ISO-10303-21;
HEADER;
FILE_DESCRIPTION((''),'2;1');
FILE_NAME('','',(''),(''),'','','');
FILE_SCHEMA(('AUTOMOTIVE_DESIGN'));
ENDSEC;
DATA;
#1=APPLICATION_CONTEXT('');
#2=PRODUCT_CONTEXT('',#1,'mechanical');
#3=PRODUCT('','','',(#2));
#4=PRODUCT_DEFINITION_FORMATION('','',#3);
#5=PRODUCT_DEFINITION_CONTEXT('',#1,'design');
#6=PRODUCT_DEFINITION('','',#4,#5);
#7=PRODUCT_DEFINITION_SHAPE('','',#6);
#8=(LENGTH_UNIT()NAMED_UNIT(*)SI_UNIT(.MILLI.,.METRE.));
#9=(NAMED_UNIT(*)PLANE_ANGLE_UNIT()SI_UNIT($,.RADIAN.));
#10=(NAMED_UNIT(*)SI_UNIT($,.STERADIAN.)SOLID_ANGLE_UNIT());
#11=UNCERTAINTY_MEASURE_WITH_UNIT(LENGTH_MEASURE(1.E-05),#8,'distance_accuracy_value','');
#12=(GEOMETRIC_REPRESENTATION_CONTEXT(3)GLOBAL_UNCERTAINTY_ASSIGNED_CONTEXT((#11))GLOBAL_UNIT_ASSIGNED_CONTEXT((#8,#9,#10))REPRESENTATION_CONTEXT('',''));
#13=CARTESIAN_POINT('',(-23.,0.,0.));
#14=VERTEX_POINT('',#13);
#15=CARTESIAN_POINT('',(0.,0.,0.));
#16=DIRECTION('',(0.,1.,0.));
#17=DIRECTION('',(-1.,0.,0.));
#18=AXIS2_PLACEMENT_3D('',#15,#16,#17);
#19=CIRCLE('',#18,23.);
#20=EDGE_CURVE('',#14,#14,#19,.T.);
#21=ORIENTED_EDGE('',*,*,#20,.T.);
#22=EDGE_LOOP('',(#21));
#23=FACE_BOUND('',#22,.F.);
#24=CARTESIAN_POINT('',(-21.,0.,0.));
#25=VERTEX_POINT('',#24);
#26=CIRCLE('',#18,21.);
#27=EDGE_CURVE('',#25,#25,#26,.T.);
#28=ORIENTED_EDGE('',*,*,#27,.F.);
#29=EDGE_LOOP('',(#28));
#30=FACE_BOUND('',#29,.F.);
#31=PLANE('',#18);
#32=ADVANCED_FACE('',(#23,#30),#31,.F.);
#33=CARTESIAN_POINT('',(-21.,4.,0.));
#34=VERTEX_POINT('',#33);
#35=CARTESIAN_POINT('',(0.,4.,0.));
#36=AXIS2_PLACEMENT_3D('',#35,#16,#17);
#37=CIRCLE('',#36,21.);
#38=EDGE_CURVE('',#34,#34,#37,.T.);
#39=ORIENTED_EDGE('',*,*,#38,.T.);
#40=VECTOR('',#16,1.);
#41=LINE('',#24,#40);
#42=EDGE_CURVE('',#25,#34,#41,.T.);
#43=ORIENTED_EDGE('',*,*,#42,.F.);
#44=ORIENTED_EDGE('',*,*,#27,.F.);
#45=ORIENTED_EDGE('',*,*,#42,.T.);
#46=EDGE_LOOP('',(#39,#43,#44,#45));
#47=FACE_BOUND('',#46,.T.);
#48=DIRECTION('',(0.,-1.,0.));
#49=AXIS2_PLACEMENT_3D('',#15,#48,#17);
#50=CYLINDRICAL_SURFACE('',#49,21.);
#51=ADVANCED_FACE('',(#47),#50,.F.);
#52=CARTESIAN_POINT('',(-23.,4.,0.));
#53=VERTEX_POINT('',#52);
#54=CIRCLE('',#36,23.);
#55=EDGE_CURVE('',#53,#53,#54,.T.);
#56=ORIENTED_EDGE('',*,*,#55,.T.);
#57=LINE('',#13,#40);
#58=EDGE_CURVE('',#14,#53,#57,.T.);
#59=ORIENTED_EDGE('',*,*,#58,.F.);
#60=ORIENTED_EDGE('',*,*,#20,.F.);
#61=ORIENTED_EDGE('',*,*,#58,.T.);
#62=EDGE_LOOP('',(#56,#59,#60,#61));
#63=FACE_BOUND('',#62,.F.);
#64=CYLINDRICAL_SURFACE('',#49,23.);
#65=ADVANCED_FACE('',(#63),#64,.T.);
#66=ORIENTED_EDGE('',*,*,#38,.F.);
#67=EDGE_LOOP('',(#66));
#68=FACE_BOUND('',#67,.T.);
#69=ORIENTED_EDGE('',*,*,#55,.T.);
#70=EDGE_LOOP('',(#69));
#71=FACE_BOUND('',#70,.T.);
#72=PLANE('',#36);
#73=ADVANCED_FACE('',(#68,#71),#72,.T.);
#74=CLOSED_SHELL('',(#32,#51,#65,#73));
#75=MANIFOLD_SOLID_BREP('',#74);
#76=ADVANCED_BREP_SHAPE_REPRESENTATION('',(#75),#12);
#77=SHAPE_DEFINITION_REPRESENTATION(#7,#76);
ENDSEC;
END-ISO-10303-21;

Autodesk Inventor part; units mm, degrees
ref_plane "YZ Plane" through (0, 0, 0) normal (1, 0, 0) x (0, 1, 0)
ref_plane "XZ Plane" through (0, 0, 0) normal (0, 1, 0) x (-1, 0, 0)
ref_plane "XY Plane" through (0, 0, 0) normal (0, 0, 1) x (1, 0, 0)
sketch "Sketch1" plane through (0, 0, 0) normal (0, 1, 0) x (-1, 0, 0)
  circle A0 centre (0, 0) radius 21
  circle A1 centre (0, 0) radius 23
  dimension "d0" = 42
  dimension "d1" = 2
extrude "Extrusion1" add sketch "Sketch1" along normal blind 4
properties part number "Prueba_Cilindro1"
